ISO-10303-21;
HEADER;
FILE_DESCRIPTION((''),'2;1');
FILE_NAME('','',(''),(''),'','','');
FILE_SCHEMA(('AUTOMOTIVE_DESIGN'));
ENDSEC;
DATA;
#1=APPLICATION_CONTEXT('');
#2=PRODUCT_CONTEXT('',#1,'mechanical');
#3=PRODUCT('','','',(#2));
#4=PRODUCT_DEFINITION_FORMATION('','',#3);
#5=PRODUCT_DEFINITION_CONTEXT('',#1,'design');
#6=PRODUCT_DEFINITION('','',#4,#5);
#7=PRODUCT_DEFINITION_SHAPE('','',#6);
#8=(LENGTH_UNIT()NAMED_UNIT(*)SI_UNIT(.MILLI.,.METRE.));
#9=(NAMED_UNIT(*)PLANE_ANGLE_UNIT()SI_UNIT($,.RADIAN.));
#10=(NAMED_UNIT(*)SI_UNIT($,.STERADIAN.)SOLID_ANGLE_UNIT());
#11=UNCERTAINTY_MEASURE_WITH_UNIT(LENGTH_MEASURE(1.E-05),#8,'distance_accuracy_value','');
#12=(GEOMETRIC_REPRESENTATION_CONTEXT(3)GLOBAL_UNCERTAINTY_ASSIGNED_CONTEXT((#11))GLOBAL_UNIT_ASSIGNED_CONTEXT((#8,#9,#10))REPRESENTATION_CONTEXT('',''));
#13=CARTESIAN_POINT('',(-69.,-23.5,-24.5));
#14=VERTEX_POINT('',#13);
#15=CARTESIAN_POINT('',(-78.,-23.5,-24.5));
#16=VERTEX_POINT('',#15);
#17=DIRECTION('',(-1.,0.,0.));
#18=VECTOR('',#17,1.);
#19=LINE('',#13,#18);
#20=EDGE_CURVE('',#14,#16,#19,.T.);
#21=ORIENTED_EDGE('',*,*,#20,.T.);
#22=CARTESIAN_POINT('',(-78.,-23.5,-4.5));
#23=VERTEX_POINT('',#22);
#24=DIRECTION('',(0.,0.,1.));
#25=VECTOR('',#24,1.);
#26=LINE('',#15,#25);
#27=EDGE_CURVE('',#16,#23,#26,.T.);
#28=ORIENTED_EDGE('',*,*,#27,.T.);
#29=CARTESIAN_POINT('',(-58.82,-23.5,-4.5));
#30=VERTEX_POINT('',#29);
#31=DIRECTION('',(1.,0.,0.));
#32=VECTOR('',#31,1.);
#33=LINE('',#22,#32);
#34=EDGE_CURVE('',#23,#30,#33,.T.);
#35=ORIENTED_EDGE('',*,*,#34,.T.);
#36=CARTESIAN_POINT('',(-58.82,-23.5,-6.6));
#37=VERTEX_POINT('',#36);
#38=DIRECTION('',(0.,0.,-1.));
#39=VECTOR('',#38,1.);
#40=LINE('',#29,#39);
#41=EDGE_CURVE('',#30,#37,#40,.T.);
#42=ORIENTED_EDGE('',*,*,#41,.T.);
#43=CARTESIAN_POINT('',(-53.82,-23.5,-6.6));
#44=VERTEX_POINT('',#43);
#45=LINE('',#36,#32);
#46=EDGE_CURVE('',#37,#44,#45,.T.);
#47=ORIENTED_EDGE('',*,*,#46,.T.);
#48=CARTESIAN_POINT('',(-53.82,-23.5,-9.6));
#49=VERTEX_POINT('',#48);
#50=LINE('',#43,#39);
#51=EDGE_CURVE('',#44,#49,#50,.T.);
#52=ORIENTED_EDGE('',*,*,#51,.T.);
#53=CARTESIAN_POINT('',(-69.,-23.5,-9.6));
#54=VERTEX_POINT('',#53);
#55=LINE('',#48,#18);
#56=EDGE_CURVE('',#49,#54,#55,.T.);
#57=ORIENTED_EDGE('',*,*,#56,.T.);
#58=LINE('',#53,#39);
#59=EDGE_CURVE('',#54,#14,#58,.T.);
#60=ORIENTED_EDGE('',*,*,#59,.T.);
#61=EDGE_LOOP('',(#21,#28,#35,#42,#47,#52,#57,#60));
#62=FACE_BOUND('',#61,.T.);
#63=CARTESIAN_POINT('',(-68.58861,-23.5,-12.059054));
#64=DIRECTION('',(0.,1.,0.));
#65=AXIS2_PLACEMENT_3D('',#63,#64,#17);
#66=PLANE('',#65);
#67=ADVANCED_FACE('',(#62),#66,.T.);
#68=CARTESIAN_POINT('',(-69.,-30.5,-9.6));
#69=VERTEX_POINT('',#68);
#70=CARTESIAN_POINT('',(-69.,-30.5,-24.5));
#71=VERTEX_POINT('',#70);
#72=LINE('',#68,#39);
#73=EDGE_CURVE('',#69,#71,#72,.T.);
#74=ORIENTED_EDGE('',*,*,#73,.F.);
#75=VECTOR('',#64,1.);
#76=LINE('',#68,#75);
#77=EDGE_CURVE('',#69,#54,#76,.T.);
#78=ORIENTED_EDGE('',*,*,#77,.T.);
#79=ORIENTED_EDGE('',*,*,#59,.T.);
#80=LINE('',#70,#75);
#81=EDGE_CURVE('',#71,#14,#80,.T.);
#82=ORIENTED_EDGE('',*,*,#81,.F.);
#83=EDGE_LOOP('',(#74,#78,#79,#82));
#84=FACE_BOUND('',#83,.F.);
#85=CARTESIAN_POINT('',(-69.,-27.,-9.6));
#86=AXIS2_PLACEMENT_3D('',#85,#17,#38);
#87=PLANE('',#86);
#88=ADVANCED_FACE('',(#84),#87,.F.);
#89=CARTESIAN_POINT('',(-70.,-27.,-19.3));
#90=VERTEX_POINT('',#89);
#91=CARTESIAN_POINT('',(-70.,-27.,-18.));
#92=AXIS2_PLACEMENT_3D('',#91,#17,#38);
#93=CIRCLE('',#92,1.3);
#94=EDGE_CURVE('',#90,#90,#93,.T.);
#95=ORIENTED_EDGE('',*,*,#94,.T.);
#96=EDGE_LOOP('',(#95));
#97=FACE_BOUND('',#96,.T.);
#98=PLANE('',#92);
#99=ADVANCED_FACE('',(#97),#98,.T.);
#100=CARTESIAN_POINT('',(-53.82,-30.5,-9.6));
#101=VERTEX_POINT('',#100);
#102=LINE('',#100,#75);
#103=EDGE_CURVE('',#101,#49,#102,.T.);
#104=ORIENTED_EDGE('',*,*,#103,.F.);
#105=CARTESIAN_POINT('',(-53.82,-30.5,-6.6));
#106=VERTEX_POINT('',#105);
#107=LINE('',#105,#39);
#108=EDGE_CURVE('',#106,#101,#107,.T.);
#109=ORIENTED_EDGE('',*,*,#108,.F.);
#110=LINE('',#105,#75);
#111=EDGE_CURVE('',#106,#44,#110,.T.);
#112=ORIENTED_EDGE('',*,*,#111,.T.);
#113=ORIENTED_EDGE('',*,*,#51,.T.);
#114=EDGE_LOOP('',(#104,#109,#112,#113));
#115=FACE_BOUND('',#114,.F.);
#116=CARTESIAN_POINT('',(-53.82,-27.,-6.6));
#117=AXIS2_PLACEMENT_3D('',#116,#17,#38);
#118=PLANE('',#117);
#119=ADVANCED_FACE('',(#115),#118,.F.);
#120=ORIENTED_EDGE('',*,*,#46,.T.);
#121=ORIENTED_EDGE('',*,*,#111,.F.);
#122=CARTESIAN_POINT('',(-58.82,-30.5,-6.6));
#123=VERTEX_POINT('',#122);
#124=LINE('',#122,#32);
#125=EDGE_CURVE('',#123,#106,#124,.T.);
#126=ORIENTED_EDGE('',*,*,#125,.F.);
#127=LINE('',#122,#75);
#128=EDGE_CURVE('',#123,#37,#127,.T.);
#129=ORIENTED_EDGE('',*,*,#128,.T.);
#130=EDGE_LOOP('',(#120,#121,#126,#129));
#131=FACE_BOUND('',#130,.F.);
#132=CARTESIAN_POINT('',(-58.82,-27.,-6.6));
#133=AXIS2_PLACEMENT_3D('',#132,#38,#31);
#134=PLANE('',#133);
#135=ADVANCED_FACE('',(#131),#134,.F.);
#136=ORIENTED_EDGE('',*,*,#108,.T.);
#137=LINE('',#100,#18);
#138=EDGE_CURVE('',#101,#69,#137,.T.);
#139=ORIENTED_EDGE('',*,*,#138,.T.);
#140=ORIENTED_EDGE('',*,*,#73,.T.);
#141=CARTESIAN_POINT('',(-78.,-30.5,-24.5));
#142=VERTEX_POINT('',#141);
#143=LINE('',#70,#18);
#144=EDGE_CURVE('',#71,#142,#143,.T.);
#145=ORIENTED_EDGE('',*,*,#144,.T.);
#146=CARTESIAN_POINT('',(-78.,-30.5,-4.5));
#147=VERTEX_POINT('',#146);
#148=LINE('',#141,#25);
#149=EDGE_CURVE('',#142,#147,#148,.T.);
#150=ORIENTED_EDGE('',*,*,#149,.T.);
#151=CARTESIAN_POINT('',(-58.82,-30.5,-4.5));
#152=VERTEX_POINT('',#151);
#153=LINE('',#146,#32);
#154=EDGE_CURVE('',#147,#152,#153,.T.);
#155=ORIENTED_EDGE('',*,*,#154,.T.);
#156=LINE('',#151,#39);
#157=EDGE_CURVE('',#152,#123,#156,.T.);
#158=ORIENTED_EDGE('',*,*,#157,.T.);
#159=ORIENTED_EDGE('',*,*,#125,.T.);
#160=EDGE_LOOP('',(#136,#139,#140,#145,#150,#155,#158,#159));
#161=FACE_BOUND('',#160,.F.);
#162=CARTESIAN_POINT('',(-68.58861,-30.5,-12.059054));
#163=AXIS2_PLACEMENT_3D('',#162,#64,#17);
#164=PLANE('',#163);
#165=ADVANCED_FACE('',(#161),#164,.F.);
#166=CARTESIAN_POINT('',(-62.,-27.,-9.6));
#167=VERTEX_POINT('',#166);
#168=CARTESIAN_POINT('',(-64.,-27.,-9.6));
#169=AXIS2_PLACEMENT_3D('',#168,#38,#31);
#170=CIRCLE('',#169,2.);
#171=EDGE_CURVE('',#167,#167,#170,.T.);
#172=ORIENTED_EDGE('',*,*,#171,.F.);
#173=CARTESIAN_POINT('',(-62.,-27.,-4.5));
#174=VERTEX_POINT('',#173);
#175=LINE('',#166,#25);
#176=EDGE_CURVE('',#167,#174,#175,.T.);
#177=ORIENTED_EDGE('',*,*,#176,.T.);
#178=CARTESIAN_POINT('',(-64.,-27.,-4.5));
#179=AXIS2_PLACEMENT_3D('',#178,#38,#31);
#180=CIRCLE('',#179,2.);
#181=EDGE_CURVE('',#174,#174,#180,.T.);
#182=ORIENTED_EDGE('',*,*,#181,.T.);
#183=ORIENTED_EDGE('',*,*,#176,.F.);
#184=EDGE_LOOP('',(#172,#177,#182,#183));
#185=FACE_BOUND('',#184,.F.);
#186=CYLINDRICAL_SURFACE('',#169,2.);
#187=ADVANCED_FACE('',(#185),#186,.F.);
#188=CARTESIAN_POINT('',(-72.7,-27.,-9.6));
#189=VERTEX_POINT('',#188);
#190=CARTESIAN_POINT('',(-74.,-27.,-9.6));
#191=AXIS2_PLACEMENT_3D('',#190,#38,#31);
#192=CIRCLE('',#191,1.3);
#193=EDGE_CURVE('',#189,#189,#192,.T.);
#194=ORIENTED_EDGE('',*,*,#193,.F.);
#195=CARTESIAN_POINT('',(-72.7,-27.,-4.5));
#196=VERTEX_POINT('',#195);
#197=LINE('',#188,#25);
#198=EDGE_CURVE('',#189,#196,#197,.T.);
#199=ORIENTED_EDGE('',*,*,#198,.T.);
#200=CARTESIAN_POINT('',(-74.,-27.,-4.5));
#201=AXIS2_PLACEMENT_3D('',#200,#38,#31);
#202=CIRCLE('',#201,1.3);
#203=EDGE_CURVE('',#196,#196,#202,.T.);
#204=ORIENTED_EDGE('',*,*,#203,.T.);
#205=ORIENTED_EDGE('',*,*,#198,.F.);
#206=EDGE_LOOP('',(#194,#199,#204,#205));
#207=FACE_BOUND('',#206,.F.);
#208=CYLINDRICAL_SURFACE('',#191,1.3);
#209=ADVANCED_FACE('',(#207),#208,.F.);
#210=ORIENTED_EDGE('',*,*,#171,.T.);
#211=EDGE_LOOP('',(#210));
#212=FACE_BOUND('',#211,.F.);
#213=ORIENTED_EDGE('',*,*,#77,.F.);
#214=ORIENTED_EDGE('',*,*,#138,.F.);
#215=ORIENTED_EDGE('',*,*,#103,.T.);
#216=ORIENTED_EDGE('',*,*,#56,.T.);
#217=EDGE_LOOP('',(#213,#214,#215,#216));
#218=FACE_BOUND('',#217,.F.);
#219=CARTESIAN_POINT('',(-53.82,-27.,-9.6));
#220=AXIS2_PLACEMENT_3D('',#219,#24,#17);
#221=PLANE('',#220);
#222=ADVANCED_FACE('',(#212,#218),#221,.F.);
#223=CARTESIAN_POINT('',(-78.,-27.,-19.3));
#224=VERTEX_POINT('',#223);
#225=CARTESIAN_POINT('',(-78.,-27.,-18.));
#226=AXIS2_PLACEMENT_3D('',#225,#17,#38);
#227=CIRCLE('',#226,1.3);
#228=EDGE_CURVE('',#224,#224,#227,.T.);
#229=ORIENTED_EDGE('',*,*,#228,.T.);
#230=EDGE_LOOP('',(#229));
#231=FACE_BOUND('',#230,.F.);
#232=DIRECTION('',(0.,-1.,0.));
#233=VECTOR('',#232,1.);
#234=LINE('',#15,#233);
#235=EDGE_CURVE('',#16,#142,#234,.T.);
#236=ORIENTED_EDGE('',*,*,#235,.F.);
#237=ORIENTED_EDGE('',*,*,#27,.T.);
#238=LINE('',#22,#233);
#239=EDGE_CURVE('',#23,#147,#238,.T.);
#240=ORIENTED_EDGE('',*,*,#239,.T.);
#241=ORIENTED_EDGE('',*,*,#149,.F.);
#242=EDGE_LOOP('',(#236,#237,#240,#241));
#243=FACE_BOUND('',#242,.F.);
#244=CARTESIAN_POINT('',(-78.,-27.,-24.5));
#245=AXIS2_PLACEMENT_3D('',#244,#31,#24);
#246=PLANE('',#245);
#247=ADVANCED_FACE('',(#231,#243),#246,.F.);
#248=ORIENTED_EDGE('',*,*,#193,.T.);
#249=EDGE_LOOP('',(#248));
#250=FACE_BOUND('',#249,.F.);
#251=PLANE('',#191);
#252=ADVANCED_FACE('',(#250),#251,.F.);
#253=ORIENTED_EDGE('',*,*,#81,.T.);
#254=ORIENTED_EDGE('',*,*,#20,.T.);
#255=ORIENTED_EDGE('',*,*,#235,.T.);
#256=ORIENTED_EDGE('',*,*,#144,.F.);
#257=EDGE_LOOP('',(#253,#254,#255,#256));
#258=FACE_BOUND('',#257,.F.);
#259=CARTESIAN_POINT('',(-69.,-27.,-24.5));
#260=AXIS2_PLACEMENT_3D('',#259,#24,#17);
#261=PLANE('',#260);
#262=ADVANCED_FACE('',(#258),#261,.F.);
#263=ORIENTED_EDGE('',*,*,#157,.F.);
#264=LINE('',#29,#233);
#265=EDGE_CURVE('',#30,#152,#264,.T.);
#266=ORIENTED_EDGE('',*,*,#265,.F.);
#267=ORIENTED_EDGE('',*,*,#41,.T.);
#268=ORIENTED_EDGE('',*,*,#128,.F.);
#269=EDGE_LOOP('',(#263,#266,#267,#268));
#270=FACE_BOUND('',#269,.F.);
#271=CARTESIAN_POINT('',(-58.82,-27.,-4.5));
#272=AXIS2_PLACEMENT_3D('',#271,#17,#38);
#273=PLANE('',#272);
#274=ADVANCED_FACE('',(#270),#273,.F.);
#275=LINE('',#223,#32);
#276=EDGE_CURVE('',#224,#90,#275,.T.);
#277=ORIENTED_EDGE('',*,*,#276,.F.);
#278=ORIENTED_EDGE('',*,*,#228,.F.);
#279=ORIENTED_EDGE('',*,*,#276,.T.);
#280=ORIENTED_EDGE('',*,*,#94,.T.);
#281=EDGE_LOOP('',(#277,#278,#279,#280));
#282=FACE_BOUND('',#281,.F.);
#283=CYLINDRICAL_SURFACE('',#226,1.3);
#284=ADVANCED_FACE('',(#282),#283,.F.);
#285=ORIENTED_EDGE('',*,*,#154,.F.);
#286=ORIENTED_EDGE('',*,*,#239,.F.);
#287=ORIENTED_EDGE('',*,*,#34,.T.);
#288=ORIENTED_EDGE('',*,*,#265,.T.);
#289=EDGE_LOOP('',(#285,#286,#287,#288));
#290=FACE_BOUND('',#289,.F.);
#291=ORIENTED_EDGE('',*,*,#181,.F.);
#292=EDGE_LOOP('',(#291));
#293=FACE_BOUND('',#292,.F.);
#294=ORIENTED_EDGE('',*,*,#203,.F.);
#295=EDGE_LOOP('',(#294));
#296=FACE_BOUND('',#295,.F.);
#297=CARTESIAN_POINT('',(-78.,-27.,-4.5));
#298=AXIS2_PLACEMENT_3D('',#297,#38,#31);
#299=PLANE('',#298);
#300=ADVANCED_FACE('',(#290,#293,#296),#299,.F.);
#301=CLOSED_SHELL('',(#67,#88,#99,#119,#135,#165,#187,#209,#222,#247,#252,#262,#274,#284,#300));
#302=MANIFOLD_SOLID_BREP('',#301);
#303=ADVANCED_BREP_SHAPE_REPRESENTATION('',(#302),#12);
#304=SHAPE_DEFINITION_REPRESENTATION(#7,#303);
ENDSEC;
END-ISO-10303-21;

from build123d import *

# Parameters (mm, degrees)
PAD025_DEPTH      = 3.5
PAD025_DEPTH_BACK = 3.5
SKETCH047_R       = 2
SKETCH047_R_2     = 1.3
POCKET_DEPTH      = 8
SKETCH049_R       = 1.3
POCKET001_DEPTH   = 8


with BuildPart() as part:
    # Sketch → Pad025 (new body, two sides)
    with BuildSketch(Plane.XZ) as pad025_sk:
        Polygon((-58.82, -4.5), (-58.82, -6.6), (-53.82, -6.6), (-53.82, -9.6), (-69, -9.6), (-69, -24.5), (-78, -24.5), (-78, -4.5), align=None)
    extrude(amount=PAD025_DEPTH)
    extrude(pad025_sk.sketch, amount=-PAD025_DEPTH_BACK)

    # Sketch047 → Pocket (cut)
    with BuildSketch(Plane(origin=(0, 0, -9.6), x_dir=(1, 0, 0), z_dir=(0, 0, -1))):
        with Locations((-64, 0)):
            Circle(SKETCH047_R)
        with Locations((-74, 0)):
            Circle(SKETCH047_R_2)
    extrude(amount=-POCKET_DEPTH, mode=Mode.SUBTRACT)

    # Sketch049 → Pocket001 (cut)
    with BuildSketch(Plane(origin=(-78, 0, 0), x_dir=(0, 0, -1), z_dir=(-1, 0, 0))):
        with Locations((18, 0)):
            Circle(SKETCH049_R)
    extrude(amount=-POCKET001_DEPTH, mode=Mode.SUBTRACT)


with BuildPart() as part_1:
    # Clone008 placement: moved
    add(part.part.moved(Location((0, -27, 0))))


solid = part_1.part
